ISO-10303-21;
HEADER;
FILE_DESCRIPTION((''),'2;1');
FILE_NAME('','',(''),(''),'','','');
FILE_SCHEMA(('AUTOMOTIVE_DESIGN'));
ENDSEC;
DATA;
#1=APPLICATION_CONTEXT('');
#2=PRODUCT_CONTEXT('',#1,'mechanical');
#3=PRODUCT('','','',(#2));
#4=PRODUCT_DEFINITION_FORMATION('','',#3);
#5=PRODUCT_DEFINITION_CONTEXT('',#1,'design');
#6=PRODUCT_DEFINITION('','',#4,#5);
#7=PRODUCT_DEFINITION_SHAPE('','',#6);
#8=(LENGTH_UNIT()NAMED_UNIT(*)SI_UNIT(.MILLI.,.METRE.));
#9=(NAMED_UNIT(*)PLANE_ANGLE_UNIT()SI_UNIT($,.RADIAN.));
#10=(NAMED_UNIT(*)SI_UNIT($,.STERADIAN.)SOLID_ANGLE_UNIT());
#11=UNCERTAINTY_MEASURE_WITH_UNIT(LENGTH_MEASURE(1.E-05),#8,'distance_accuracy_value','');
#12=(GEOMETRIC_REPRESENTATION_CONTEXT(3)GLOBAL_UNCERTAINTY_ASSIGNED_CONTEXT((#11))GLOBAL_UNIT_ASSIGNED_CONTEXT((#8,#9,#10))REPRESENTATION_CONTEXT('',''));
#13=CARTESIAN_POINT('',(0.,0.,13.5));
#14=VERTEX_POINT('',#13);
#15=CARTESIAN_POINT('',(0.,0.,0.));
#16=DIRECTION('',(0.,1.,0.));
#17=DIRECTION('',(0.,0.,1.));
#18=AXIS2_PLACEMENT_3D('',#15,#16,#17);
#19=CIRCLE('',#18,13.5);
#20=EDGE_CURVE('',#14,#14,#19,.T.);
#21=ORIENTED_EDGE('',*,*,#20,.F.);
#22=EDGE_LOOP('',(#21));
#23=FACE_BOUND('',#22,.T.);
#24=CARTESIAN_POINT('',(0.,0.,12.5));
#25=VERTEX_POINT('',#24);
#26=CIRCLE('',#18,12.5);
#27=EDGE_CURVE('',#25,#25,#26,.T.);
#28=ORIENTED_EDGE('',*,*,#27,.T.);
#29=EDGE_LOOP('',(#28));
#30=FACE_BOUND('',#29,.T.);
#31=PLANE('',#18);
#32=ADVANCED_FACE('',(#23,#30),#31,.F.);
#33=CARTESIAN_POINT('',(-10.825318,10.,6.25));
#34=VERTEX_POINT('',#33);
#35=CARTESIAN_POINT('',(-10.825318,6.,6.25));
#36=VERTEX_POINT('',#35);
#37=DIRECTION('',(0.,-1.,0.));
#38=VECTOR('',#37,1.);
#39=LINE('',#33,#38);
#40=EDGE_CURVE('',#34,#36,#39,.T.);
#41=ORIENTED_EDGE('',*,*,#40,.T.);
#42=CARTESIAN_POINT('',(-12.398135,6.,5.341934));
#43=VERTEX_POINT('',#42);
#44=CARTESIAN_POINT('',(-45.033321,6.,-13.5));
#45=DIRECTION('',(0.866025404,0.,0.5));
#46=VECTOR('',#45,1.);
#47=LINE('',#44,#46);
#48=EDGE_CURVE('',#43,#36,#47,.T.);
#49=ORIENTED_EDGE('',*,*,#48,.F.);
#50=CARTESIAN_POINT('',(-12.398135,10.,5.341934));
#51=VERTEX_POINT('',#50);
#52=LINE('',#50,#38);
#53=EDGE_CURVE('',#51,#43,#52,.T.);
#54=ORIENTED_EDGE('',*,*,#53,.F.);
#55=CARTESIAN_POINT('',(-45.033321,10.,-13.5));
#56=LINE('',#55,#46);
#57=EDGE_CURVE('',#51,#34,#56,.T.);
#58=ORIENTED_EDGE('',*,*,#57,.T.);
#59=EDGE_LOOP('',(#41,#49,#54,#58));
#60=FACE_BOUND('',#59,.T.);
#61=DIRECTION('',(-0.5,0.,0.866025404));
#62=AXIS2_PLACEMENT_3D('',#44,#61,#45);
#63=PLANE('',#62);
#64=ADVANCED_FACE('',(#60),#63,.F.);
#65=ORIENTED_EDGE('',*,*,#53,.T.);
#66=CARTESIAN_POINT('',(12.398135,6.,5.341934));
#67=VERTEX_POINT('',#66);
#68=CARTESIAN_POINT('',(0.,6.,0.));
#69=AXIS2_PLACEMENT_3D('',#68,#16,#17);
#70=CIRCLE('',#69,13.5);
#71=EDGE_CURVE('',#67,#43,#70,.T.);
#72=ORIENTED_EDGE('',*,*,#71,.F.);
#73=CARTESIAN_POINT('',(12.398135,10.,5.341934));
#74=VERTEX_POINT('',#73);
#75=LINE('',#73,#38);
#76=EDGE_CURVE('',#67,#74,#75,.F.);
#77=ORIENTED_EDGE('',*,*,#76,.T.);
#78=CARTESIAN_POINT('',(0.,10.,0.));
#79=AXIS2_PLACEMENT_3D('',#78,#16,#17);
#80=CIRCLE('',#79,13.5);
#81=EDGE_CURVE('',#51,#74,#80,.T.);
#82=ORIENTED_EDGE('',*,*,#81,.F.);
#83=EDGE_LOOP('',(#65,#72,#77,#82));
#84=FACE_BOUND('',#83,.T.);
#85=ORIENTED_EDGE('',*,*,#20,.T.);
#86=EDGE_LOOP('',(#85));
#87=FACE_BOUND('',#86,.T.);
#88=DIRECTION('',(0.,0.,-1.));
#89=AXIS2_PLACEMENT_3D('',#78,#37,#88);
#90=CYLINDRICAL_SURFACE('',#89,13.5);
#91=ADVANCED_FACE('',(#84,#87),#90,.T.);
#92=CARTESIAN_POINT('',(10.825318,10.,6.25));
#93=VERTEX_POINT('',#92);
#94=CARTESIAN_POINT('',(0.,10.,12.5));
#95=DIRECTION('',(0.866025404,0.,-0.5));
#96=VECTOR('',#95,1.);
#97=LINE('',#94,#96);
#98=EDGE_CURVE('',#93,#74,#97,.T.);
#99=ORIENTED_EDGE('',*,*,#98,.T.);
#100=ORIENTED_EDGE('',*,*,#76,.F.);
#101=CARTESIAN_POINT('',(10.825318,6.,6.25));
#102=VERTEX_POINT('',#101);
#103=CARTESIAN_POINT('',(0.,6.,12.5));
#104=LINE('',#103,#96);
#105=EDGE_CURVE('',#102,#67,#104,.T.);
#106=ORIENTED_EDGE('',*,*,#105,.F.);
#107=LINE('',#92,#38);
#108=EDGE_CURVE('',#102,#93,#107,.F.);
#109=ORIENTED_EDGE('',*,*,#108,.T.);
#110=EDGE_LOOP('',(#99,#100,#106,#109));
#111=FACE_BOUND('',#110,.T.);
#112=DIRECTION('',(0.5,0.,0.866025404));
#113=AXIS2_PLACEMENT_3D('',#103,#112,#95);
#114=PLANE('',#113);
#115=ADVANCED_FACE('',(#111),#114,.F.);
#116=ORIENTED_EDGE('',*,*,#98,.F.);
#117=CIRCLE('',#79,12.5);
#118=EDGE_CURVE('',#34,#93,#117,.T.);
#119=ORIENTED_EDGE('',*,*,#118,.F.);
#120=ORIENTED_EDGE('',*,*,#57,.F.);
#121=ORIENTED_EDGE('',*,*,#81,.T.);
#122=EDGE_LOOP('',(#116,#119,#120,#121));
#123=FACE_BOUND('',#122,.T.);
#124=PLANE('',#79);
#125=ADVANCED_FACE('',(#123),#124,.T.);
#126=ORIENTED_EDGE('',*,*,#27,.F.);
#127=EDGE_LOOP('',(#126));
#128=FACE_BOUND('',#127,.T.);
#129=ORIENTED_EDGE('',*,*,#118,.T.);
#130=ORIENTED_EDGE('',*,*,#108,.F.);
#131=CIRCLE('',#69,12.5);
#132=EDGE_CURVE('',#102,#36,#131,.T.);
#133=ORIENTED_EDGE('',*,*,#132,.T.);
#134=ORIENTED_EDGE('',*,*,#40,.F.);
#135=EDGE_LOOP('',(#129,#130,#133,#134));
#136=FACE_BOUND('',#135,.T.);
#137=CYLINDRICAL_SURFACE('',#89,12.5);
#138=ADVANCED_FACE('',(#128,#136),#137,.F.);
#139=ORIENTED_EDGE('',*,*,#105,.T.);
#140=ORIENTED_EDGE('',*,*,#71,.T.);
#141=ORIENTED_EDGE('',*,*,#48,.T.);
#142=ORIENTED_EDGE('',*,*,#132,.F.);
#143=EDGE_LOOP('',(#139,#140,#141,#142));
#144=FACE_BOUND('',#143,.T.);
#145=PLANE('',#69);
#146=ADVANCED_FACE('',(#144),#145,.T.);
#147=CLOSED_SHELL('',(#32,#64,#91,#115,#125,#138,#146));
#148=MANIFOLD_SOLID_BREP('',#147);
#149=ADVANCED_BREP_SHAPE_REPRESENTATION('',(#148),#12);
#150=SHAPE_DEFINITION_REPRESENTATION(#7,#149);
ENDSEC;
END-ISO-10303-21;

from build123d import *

# Parameters (mm, degrees)
SKETCH1_R           = 13.5
SKETCH1_R_2         = 12.5
BOSS_EXTRUDE1_DEPTH = 10
CUT_EXTRUDE1_DEPTH  = 4


with BuildPart() as part:
    # Sketch1 → Boss-Extrude1 (new body)
    with BuildSketch(Plane(origin=(0, 0, 0), x_dir=(1, 0, 0), z_dir=(0, 1, 0))):
        with Locations(Location((0, 0, 0), (0, 0, 270))):
            Circle(SKETCH1_R)
        with Locations(Location((0, 0, 0), (0, 0, 270))):
            Circle(SKETCH1_R_2, mode=Mode.SUBTRACT)
    extrude(amount=BOSS_EXTRUDE1_DEPTH)

    # Sketch2 → Cut-Extrude1 (cut)
    with BuildSketch(Plane(origin=(0, 10, 0), x_dir=(1, 0, 0), z_dir=(0, 1, 0))):
        Polygon((-45.033320997, 13.5), (0, -12.5), (45.033320997, 13.5), align=None)
    extrude(amount=-CUT_EXTRUDE1_DEPTH, mode=Mode.SUBTRACT)


solid = part.part
